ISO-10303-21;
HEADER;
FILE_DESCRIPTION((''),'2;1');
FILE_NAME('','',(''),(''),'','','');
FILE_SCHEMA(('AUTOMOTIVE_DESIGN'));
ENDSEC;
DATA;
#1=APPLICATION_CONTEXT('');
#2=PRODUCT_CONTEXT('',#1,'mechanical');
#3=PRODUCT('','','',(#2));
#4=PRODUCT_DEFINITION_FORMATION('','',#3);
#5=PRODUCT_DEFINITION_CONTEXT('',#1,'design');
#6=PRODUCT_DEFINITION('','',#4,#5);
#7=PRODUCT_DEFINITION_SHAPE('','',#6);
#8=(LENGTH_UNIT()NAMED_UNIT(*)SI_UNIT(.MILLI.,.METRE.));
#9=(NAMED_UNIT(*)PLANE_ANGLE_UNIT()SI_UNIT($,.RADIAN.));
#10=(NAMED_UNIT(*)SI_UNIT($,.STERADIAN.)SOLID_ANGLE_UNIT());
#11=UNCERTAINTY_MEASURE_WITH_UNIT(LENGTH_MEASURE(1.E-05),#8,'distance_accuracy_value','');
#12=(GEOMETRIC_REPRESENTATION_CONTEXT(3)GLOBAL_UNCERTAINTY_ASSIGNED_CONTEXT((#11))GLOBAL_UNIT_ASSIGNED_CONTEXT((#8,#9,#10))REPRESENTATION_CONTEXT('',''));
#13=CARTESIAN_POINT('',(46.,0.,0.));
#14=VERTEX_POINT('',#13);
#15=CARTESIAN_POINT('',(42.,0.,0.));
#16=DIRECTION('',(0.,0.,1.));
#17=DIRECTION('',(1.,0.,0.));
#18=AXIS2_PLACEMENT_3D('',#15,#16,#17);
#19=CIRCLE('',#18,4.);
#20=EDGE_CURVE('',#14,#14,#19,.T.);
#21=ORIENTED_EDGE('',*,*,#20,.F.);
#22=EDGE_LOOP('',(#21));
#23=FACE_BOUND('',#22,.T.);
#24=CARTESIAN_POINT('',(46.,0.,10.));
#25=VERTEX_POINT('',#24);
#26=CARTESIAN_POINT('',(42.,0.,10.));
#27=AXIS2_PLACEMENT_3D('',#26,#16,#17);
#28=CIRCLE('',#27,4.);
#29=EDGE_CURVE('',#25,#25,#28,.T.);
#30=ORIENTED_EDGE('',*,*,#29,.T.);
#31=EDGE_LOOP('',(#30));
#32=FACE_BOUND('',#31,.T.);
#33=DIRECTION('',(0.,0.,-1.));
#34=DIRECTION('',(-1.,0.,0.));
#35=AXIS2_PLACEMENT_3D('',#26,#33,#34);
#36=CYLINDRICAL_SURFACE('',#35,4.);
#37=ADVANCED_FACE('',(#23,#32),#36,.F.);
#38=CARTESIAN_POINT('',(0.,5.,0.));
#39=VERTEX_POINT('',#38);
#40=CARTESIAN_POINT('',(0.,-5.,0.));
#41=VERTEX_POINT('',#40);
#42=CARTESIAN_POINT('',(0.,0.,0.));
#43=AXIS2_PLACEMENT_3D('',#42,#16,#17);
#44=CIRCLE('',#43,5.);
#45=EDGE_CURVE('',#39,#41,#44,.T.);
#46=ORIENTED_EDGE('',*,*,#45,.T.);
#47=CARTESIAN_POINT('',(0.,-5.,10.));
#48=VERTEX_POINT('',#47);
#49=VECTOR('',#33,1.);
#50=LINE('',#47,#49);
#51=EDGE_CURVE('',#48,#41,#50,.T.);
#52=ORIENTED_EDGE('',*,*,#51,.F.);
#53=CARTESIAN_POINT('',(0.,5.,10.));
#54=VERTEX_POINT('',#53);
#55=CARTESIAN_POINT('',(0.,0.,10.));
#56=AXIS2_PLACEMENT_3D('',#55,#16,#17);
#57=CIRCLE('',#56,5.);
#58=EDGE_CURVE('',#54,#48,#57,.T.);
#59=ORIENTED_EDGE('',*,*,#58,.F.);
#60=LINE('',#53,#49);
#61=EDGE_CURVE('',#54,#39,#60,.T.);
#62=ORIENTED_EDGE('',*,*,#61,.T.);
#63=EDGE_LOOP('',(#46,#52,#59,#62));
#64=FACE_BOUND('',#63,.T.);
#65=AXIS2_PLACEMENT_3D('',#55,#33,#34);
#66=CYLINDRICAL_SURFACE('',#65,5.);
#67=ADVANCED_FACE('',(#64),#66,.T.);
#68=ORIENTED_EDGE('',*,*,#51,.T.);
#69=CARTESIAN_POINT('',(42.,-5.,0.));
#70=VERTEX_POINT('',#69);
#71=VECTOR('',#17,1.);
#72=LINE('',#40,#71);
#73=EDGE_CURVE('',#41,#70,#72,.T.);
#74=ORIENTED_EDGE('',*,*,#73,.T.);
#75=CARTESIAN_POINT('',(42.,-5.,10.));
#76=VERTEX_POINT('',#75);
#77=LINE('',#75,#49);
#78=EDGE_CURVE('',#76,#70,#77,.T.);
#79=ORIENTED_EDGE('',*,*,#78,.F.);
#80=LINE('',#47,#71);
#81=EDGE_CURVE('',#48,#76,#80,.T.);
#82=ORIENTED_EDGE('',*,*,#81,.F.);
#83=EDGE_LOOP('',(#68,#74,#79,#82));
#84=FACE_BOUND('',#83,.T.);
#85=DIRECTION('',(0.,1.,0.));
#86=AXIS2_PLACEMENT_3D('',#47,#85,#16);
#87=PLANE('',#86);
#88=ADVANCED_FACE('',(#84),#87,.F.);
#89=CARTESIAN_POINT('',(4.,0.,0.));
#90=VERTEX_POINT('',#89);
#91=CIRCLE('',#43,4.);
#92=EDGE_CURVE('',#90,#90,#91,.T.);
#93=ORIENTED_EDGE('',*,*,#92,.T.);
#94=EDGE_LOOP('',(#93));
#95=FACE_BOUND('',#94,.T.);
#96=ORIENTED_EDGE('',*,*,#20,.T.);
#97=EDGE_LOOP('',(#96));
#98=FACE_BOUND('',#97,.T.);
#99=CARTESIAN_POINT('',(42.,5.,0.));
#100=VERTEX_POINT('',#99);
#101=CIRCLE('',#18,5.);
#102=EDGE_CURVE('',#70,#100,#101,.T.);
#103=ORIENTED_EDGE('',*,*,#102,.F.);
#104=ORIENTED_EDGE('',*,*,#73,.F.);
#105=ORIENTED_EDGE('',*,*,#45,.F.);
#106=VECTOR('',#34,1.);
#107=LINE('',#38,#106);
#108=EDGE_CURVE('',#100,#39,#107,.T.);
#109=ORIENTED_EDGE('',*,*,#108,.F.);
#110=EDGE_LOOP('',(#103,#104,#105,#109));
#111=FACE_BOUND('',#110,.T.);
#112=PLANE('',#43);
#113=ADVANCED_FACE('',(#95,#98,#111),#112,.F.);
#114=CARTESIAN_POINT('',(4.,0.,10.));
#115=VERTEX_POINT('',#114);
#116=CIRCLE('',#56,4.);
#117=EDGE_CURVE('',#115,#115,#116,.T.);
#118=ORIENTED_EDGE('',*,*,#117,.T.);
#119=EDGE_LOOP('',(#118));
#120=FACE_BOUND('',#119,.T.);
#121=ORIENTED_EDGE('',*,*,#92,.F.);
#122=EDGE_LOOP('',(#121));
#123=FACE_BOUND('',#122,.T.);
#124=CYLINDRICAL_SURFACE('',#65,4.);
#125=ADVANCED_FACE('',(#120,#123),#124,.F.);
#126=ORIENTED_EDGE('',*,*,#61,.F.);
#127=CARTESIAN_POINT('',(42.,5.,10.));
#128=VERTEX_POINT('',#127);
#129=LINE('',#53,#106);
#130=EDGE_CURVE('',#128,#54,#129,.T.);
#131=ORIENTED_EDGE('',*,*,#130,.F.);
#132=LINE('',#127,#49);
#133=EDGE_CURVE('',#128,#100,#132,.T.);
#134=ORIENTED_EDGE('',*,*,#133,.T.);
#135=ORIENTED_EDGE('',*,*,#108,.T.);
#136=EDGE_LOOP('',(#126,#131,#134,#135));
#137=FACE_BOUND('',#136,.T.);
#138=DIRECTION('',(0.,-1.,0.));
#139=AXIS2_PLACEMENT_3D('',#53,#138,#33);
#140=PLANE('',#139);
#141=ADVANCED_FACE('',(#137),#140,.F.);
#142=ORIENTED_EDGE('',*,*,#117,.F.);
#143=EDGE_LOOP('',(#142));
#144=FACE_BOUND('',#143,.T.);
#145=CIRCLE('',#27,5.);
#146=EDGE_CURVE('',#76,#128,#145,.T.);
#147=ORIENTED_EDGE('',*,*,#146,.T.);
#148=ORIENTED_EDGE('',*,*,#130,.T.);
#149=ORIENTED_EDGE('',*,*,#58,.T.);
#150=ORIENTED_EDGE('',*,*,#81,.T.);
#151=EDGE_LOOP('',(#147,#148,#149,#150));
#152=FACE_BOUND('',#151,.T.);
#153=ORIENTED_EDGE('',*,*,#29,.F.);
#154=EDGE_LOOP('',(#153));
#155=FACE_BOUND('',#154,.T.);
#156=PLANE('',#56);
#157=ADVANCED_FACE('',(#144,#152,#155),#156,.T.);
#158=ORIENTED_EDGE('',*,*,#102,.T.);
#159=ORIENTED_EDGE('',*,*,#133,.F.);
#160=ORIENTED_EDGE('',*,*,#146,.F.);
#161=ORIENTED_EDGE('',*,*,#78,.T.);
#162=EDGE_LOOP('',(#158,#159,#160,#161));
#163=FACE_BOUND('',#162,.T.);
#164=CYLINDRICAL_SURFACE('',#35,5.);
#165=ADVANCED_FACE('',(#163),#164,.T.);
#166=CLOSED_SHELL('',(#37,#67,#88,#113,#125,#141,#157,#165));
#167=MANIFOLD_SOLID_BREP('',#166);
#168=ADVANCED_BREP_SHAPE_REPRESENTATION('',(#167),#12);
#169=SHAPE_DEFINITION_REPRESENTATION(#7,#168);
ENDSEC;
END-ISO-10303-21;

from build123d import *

# Parameters (mm, degrees)
SKETCH1_R           = 4
BOSS_EXTRUDE1_DEPTH = 10


with BuildPart() as part:
    # Sketch1 → Boss-Extrude1 (new body)
    with BuildSketch(Plane.XY):
        with BuildLine():
            Line((0, 5), (42, 5))
            ThreePointArc((42, 5), (47, 0), (42, -5))
            Line((42, -5), (0, -5))
            ThreePointArc((0, -5), (-5, 0), (0, 5))
        make_face()
        Circle(SKETCH1_R, mode=Mode.SUBTRACT)
        with Locations((42, 0)):
            Circle(SKETCH1_R, mode=Mode.SUBTRACT)
    extrude(amount=BOSS_EXTRUDE1_DEPTH)


solid = part.part
